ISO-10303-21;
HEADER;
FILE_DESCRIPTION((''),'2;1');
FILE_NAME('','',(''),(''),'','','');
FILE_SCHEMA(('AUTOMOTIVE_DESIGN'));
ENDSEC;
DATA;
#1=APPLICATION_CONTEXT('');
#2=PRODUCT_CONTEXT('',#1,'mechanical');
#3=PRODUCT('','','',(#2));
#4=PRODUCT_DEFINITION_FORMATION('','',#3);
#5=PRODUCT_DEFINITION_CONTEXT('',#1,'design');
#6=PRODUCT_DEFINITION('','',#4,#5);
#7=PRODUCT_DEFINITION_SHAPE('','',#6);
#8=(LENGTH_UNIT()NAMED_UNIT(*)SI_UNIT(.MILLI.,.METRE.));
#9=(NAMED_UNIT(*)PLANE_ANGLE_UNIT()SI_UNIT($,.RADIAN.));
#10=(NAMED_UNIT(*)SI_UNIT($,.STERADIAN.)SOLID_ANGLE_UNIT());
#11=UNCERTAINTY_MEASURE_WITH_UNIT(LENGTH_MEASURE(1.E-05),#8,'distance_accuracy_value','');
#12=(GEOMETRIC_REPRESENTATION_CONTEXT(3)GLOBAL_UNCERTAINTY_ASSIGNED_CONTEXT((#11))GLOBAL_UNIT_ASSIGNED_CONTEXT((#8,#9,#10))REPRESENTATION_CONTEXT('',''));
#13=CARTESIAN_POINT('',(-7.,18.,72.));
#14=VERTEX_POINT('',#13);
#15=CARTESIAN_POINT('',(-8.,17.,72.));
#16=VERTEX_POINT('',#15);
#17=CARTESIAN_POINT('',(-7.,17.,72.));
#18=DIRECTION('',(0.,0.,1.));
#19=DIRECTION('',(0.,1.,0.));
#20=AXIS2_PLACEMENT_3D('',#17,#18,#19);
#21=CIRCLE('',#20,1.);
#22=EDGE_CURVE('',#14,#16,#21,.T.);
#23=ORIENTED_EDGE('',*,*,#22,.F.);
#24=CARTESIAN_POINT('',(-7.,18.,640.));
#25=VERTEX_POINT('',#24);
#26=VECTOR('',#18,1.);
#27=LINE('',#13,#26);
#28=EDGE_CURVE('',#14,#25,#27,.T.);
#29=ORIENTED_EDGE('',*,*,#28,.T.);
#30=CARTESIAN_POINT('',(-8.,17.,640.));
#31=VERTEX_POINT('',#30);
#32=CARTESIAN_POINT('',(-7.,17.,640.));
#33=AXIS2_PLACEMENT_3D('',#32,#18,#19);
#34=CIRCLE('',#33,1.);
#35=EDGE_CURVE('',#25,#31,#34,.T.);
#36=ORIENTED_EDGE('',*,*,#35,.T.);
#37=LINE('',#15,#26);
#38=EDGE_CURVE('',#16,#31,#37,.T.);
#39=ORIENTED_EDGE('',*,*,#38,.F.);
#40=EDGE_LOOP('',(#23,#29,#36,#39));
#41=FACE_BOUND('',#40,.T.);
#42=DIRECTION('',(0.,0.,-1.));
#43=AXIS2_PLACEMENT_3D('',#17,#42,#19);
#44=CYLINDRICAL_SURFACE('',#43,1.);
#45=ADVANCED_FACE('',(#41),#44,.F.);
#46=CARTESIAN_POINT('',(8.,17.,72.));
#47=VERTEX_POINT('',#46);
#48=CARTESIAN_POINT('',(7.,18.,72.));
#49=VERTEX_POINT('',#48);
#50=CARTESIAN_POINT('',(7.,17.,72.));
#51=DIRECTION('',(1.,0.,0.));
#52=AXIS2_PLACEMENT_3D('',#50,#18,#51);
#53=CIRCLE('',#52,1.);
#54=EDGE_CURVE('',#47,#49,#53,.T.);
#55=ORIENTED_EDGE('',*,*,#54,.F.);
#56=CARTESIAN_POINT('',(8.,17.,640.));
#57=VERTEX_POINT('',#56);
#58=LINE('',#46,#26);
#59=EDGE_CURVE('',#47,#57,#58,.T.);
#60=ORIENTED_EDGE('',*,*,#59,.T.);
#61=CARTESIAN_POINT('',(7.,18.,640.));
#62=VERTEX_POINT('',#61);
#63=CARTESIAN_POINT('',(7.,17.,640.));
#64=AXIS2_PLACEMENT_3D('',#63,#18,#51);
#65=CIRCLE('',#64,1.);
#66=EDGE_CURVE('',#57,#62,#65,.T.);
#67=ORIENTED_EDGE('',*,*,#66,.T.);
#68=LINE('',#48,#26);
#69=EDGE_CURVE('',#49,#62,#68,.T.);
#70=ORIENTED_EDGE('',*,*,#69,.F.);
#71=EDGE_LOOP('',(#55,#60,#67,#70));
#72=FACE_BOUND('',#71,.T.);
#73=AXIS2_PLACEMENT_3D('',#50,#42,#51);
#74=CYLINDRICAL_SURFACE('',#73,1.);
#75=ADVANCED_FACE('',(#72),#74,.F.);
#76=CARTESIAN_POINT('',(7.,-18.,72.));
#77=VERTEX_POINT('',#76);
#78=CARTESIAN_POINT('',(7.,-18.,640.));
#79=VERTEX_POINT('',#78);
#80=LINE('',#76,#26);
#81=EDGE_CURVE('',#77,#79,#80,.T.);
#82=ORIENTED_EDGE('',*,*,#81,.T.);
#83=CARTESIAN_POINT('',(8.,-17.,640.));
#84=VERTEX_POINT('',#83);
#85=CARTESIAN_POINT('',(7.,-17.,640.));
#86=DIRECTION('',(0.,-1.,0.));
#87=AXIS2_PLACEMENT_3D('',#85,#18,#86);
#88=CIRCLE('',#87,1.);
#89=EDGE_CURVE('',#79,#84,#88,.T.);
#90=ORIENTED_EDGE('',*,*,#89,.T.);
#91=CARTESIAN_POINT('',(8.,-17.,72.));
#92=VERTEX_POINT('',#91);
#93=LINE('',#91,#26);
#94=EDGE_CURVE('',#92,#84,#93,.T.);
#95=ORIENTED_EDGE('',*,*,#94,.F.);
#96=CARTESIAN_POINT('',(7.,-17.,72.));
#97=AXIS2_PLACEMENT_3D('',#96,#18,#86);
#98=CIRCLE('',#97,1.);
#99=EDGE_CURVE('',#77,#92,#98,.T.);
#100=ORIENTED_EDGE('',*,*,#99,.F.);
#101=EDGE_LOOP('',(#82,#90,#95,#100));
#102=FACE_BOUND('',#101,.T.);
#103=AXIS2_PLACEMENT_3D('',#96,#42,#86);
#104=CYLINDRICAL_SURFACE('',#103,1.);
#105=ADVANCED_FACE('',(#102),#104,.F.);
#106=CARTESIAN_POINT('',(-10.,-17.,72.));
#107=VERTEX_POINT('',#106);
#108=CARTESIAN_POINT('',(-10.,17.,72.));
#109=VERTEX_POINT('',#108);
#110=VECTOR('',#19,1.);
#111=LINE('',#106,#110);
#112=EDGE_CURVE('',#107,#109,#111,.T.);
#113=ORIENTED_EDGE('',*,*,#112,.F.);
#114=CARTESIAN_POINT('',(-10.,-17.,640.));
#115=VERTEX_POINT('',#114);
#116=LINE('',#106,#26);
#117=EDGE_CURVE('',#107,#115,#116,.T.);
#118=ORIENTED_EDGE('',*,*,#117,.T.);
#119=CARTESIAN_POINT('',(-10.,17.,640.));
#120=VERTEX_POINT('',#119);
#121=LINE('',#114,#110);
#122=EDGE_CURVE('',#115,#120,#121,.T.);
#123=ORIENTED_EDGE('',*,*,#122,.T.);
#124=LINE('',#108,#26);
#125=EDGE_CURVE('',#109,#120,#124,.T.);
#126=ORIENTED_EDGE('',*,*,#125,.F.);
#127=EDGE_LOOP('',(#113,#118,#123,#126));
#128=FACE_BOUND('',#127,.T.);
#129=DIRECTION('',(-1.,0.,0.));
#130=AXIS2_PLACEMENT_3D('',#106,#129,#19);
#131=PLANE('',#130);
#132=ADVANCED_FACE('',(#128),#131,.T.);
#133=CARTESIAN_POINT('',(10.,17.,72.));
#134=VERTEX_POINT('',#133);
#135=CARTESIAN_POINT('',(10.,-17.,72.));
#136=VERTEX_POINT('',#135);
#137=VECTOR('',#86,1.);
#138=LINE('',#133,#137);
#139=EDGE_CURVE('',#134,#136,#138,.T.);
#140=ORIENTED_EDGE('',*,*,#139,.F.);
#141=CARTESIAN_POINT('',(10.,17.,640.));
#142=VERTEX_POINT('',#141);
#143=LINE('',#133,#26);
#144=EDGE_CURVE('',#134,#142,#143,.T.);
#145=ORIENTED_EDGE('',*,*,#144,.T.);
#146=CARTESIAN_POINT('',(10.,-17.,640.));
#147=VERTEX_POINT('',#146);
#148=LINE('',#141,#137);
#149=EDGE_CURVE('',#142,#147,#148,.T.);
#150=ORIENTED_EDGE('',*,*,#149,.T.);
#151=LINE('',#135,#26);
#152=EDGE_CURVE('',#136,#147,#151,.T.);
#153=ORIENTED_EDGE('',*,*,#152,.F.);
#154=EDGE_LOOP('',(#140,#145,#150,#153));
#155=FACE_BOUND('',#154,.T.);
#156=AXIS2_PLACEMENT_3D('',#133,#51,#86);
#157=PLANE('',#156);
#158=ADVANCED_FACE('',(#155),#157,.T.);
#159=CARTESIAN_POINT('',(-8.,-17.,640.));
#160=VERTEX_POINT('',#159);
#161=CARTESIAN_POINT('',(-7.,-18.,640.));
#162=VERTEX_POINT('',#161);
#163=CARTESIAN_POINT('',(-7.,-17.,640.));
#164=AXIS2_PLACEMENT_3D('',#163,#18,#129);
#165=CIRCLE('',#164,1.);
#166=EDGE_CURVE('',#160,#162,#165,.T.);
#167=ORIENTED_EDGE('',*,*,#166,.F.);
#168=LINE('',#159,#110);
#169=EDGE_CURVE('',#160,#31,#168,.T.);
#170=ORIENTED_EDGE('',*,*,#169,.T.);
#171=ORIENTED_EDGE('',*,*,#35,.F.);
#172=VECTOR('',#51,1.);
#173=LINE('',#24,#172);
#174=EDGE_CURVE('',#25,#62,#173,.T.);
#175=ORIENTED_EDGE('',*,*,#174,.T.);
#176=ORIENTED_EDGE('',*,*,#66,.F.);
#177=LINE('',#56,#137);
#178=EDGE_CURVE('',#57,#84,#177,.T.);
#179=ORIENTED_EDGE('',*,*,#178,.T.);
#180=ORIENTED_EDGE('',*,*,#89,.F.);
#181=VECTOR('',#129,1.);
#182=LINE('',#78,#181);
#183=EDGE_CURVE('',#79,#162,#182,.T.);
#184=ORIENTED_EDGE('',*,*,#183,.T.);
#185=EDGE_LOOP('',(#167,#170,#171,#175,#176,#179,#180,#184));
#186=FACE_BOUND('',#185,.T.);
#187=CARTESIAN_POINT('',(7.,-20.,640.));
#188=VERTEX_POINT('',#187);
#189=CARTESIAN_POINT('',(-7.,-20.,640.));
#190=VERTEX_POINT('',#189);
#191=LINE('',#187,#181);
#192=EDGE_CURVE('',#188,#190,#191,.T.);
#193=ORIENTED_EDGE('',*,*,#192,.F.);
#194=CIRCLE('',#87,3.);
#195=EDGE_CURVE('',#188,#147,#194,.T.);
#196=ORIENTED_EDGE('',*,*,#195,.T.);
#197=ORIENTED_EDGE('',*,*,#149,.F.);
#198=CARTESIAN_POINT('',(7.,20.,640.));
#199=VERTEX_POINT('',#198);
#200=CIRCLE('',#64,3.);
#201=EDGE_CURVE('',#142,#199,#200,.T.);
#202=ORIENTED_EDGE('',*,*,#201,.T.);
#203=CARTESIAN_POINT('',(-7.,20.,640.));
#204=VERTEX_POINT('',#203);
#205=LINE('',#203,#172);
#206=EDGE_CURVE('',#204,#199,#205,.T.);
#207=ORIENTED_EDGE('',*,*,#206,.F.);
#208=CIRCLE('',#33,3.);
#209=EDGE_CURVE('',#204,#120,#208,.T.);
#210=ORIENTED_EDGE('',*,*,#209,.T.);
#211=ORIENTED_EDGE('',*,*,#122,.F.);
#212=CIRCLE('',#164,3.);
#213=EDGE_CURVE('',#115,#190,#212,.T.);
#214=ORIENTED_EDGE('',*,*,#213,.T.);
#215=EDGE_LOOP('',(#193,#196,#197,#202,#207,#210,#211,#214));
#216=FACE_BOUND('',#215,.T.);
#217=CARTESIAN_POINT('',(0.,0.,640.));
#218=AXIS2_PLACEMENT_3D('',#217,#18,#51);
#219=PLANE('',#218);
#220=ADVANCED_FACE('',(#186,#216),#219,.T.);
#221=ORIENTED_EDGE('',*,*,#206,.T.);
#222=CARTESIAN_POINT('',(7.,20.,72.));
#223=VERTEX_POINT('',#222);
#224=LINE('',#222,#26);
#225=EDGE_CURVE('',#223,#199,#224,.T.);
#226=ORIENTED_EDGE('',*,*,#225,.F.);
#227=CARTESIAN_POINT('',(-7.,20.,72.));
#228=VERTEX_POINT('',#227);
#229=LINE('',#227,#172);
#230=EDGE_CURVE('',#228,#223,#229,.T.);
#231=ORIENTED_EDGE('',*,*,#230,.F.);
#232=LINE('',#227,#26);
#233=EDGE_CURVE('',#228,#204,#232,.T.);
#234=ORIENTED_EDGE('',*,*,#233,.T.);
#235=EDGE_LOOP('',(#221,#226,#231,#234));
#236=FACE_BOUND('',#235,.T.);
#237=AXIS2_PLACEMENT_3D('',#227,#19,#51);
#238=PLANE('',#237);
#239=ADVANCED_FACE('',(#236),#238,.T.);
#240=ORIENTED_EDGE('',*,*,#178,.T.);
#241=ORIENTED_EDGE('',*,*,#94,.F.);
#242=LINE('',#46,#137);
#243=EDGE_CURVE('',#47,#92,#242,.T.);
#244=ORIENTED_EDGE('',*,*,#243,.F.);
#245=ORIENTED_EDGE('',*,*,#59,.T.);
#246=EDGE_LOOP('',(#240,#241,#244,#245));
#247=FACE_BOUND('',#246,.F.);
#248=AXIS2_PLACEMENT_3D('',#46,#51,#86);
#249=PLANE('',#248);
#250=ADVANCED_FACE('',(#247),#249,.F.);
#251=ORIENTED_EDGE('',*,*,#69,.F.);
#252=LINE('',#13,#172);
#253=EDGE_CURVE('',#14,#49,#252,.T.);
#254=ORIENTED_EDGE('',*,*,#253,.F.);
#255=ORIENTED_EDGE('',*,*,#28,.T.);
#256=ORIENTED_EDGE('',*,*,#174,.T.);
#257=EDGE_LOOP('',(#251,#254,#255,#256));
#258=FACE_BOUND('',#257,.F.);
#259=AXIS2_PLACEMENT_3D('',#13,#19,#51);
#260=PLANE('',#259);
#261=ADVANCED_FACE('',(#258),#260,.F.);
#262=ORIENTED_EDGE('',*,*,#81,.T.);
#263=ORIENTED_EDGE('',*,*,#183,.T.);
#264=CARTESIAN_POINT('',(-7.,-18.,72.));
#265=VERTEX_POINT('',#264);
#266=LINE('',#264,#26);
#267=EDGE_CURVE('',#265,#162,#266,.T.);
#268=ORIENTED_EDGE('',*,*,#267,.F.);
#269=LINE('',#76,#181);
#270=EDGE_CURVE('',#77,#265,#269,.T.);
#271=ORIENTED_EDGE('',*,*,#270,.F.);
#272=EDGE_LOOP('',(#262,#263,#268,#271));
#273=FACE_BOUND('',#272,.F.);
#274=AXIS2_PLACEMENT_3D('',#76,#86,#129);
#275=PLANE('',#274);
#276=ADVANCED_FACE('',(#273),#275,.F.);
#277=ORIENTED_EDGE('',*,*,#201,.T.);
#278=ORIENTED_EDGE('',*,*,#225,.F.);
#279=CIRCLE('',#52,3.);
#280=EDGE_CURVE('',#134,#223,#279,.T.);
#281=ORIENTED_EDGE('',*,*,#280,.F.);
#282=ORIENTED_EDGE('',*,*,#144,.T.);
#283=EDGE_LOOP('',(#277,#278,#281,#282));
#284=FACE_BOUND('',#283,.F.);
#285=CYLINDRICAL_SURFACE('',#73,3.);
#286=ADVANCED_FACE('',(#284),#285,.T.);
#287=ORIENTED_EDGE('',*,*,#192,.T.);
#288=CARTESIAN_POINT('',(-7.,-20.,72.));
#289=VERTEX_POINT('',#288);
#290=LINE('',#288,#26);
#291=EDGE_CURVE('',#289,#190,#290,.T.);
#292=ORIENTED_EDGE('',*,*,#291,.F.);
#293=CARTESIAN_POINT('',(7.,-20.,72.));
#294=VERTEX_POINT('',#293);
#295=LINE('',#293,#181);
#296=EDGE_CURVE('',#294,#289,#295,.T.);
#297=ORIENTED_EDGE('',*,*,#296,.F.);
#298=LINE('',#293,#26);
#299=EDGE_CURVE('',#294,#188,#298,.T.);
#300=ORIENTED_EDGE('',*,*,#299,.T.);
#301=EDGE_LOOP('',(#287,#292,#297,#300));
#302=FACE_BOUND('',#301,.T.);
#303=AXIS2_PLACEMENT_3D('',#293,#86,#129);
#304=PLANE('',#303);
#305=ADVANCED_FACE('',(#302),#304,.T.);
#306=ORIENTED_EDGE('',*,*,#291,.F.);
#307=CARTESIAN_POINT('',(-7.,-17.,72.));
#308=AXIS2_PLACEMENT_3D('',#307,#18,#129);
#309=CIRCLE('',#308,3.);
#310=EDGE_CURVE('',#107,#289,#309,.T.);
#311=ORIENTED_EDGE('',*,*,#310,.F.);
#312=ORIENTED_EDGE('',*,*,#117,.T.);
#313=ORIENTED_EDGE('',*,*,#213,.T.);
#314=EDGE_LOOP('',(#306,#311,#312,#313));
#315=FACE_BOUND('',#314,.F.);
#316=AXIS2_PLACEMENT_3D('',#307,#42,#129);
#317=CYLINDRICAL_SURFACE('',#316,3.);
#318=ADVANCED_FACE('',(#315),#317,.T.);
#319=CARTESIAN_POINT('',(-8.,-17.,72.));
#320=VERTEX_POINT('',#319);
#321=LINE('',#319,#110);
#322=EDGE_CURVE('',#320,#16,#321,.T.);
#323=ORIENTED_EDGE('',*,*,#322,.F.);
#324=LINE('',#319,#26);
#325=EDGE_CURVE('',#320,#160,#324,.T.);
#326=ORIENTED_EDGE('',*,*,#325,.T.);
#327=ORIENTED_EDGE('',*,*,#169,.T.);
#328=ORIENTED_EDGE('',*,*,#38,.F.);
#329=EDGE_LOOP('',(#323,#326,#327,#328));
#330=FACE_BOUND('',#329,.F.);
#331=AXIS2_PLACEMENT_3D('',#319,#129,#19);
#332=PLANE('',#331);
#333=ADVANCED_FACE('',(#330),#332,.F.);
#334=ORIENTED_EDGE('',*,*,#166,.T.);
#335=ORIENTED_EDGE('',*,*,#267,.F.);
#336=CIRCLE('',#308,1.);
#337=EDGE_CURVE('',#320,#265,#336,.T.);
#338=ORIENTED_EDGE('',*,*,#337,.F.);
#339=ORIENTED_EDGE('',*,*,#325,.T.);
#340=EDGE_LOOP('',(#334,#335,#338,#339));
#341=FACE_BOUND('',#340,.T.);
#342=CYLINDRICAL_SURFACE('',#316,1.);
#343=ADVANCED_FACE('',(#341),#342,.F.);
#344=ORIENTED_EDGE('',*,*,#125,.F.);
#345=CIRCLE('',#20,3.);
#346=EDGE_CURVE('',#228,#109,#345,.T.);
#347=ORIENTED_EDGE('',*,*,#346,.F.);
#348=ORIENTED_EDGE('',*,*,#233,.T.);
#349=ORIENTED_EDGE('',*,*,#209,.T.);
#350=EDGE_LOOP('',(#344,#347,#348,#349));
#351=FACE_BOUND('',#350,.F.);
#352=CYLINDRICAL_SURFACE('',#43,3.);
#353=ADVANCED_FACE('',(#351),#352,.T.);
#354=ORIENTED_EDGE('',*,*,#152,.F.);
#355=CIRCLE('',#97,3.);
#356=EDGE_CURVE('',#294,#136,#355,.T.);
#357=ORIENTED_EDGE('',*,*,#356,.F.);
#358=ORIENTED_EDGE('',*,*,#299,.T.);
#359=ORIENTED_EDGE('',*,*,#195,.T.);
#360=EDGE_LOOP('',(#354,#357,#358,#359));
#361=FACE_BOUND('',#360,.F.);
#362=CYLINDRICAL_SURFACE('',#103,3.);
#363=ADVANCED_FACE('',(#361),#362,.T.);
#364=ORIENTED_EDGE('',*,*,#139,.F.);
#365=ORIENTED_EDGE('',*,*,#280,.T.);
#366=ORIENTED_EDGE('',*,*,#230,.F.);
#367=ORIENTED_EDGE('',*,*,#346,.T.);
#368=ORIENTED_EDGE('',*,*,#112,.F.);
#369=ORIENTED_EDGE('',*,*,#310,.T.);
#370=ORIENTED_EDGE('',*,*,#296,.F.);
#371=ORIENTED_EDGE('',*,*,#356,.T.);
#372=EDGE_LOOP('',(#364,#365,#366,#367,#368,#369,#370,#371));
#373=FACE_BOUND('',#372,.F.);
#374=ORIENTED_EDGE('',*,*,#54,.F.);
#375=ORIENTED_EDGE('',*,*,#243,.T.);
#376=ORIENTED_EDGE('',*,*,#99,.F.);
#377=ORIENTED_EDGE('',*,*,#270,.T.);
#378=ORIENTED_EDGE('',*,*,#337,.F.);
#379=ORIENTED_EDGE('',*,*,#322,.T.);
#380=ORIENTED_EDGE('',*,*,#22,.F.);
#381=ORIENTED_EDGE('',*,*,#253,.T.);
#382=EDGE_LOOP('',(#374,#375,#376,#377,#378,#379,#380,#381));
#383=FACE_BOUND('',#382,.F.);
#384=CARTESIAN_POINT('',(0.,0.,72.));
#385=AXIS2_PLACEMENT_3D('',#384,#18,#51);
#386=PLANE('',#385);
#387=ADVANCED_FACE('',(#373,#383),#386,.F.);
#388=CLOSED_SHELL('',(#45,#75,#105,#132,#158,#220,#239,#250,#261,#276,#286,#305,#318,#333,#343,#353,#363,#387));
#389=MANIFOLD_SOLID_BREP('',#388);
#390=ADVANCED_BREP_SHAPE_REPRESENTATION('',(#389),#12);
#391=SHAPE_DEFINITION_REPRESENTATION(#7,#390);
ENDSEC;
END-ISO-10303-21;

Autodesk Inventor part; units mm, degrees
ref_plane "Start plane" through (0, 0, 72) normal (0, 0, 1) x (1, 0, 0)
ref_plane "End plane" through (0, 0, 640) normal (0, 0, 1) x (1, 0, 0)
sketch "Sketch" plane through (0, 0, 0) normal (0, 0, 1) x (1, 0, 0)
  line L0 (-10, -17) -> (-10, 17)
  line L1 (-7, 20) -> (7, 20)
  line L2 (10, 17) -> (10, -17)
  line L3 (7, -20) -> (-7, -20)
  arc A0 (-10, -17) -> (-7, -20) centre (-7, -17) ccw
  arc A1 (-7, 20) -> (-10, 17) centre (-7, 17) ccw
  arc A2 (10, 17) -> (7, 20) centre (7, 17) ccw
  arc A3 (7, -20) -> (10, -17) centre (7, -17) ccw
  arc A4 (-7, 18) -> (-8, 17) centre (-7, 17) ccw
  line L4 (-7, 18) -> (7, 18)
  arc A5 (8, 17) -> (7, 18) centre (7, 17) ccw
  line L5 (8, 17) -> (8, -17)
  arc A6 (7, -18) -> (8, -17) centre (7, -17) ccw
  line L6 (7, -18) -> (-7, -18)
  arc A7 (-8, -17) -> (-7, -18) centre (-7, -17) ccw
  line L7 (-8, -17) -> (-8, 17)
  line L8 (0, 28.8698) -> (0, -28.8698) construction
  line L9 (-14.8698, 0) -> (14.8698, 0) construction
  dimension "d7" = 3
  dimension "d10" = 40
  dimension "d11" = 20
  dimension "d12" = 2
  dimension "d15" = 20
  dimension "d16" = 10
extrude "Body" add sketch "Sketch" along normal up to surface (568 mm away) from surface at 72
sketch "Sketch3" plane through (0, 0, 0) normal (0, 0, 1) x (1, 0, 0)
  line L0 (0, 0) -> (10, 0)
ref_plane "Work Plane3" through (0, 0, 0) normal (0, -1, 0) x (1, 0, 0)
sketch "Sketch4" plane through (0, 0, 0) normal (0, -1, 0) x (1, 0, 0)
  line L0 (-2, 72) -> (12, 72)
  line L1 (-2, 640) -> (12, 640)
  dimension "d18" = 568
ref_plane "Work Plane4" through (-1510, -17, 72) normal (0, 0, -1) x (-1, 0, 0)
split "Split1" plane through (-1510, -17, 72) removes the side toward (0, 0, -1)
equation "\"d7\" = G_IR"
equation "\"d10\" = G_H"
equation "\"d11\" = G_W"
equation "\"d12\" = G_T"
equation "\"d15\" = 0.5 * d10"
equation "\"d16\" = 0.5 * d11"
equation "\"d3\" = G_L"
equation "\"G_W\" = 20"
equation "\"G_H\" = 40"
equation "\"G_T\" = 2"
equation "\"G_IR\" = 3"
equation "\"G_L\" = d18"
equation "\"G_OFFSET_START\" = -72"
equation "\"G_OFFSET_END\" = 0"
equation "\"d13\" = -G_OFFSET_START"
equation "\"d14\" = G_OFFSET_END + B_L"
equation "\"B_L\" = 640"
properties part number "UNI EN 10305-5 - 40 x 20 x 2  - 568" material "Steel, Mild"
